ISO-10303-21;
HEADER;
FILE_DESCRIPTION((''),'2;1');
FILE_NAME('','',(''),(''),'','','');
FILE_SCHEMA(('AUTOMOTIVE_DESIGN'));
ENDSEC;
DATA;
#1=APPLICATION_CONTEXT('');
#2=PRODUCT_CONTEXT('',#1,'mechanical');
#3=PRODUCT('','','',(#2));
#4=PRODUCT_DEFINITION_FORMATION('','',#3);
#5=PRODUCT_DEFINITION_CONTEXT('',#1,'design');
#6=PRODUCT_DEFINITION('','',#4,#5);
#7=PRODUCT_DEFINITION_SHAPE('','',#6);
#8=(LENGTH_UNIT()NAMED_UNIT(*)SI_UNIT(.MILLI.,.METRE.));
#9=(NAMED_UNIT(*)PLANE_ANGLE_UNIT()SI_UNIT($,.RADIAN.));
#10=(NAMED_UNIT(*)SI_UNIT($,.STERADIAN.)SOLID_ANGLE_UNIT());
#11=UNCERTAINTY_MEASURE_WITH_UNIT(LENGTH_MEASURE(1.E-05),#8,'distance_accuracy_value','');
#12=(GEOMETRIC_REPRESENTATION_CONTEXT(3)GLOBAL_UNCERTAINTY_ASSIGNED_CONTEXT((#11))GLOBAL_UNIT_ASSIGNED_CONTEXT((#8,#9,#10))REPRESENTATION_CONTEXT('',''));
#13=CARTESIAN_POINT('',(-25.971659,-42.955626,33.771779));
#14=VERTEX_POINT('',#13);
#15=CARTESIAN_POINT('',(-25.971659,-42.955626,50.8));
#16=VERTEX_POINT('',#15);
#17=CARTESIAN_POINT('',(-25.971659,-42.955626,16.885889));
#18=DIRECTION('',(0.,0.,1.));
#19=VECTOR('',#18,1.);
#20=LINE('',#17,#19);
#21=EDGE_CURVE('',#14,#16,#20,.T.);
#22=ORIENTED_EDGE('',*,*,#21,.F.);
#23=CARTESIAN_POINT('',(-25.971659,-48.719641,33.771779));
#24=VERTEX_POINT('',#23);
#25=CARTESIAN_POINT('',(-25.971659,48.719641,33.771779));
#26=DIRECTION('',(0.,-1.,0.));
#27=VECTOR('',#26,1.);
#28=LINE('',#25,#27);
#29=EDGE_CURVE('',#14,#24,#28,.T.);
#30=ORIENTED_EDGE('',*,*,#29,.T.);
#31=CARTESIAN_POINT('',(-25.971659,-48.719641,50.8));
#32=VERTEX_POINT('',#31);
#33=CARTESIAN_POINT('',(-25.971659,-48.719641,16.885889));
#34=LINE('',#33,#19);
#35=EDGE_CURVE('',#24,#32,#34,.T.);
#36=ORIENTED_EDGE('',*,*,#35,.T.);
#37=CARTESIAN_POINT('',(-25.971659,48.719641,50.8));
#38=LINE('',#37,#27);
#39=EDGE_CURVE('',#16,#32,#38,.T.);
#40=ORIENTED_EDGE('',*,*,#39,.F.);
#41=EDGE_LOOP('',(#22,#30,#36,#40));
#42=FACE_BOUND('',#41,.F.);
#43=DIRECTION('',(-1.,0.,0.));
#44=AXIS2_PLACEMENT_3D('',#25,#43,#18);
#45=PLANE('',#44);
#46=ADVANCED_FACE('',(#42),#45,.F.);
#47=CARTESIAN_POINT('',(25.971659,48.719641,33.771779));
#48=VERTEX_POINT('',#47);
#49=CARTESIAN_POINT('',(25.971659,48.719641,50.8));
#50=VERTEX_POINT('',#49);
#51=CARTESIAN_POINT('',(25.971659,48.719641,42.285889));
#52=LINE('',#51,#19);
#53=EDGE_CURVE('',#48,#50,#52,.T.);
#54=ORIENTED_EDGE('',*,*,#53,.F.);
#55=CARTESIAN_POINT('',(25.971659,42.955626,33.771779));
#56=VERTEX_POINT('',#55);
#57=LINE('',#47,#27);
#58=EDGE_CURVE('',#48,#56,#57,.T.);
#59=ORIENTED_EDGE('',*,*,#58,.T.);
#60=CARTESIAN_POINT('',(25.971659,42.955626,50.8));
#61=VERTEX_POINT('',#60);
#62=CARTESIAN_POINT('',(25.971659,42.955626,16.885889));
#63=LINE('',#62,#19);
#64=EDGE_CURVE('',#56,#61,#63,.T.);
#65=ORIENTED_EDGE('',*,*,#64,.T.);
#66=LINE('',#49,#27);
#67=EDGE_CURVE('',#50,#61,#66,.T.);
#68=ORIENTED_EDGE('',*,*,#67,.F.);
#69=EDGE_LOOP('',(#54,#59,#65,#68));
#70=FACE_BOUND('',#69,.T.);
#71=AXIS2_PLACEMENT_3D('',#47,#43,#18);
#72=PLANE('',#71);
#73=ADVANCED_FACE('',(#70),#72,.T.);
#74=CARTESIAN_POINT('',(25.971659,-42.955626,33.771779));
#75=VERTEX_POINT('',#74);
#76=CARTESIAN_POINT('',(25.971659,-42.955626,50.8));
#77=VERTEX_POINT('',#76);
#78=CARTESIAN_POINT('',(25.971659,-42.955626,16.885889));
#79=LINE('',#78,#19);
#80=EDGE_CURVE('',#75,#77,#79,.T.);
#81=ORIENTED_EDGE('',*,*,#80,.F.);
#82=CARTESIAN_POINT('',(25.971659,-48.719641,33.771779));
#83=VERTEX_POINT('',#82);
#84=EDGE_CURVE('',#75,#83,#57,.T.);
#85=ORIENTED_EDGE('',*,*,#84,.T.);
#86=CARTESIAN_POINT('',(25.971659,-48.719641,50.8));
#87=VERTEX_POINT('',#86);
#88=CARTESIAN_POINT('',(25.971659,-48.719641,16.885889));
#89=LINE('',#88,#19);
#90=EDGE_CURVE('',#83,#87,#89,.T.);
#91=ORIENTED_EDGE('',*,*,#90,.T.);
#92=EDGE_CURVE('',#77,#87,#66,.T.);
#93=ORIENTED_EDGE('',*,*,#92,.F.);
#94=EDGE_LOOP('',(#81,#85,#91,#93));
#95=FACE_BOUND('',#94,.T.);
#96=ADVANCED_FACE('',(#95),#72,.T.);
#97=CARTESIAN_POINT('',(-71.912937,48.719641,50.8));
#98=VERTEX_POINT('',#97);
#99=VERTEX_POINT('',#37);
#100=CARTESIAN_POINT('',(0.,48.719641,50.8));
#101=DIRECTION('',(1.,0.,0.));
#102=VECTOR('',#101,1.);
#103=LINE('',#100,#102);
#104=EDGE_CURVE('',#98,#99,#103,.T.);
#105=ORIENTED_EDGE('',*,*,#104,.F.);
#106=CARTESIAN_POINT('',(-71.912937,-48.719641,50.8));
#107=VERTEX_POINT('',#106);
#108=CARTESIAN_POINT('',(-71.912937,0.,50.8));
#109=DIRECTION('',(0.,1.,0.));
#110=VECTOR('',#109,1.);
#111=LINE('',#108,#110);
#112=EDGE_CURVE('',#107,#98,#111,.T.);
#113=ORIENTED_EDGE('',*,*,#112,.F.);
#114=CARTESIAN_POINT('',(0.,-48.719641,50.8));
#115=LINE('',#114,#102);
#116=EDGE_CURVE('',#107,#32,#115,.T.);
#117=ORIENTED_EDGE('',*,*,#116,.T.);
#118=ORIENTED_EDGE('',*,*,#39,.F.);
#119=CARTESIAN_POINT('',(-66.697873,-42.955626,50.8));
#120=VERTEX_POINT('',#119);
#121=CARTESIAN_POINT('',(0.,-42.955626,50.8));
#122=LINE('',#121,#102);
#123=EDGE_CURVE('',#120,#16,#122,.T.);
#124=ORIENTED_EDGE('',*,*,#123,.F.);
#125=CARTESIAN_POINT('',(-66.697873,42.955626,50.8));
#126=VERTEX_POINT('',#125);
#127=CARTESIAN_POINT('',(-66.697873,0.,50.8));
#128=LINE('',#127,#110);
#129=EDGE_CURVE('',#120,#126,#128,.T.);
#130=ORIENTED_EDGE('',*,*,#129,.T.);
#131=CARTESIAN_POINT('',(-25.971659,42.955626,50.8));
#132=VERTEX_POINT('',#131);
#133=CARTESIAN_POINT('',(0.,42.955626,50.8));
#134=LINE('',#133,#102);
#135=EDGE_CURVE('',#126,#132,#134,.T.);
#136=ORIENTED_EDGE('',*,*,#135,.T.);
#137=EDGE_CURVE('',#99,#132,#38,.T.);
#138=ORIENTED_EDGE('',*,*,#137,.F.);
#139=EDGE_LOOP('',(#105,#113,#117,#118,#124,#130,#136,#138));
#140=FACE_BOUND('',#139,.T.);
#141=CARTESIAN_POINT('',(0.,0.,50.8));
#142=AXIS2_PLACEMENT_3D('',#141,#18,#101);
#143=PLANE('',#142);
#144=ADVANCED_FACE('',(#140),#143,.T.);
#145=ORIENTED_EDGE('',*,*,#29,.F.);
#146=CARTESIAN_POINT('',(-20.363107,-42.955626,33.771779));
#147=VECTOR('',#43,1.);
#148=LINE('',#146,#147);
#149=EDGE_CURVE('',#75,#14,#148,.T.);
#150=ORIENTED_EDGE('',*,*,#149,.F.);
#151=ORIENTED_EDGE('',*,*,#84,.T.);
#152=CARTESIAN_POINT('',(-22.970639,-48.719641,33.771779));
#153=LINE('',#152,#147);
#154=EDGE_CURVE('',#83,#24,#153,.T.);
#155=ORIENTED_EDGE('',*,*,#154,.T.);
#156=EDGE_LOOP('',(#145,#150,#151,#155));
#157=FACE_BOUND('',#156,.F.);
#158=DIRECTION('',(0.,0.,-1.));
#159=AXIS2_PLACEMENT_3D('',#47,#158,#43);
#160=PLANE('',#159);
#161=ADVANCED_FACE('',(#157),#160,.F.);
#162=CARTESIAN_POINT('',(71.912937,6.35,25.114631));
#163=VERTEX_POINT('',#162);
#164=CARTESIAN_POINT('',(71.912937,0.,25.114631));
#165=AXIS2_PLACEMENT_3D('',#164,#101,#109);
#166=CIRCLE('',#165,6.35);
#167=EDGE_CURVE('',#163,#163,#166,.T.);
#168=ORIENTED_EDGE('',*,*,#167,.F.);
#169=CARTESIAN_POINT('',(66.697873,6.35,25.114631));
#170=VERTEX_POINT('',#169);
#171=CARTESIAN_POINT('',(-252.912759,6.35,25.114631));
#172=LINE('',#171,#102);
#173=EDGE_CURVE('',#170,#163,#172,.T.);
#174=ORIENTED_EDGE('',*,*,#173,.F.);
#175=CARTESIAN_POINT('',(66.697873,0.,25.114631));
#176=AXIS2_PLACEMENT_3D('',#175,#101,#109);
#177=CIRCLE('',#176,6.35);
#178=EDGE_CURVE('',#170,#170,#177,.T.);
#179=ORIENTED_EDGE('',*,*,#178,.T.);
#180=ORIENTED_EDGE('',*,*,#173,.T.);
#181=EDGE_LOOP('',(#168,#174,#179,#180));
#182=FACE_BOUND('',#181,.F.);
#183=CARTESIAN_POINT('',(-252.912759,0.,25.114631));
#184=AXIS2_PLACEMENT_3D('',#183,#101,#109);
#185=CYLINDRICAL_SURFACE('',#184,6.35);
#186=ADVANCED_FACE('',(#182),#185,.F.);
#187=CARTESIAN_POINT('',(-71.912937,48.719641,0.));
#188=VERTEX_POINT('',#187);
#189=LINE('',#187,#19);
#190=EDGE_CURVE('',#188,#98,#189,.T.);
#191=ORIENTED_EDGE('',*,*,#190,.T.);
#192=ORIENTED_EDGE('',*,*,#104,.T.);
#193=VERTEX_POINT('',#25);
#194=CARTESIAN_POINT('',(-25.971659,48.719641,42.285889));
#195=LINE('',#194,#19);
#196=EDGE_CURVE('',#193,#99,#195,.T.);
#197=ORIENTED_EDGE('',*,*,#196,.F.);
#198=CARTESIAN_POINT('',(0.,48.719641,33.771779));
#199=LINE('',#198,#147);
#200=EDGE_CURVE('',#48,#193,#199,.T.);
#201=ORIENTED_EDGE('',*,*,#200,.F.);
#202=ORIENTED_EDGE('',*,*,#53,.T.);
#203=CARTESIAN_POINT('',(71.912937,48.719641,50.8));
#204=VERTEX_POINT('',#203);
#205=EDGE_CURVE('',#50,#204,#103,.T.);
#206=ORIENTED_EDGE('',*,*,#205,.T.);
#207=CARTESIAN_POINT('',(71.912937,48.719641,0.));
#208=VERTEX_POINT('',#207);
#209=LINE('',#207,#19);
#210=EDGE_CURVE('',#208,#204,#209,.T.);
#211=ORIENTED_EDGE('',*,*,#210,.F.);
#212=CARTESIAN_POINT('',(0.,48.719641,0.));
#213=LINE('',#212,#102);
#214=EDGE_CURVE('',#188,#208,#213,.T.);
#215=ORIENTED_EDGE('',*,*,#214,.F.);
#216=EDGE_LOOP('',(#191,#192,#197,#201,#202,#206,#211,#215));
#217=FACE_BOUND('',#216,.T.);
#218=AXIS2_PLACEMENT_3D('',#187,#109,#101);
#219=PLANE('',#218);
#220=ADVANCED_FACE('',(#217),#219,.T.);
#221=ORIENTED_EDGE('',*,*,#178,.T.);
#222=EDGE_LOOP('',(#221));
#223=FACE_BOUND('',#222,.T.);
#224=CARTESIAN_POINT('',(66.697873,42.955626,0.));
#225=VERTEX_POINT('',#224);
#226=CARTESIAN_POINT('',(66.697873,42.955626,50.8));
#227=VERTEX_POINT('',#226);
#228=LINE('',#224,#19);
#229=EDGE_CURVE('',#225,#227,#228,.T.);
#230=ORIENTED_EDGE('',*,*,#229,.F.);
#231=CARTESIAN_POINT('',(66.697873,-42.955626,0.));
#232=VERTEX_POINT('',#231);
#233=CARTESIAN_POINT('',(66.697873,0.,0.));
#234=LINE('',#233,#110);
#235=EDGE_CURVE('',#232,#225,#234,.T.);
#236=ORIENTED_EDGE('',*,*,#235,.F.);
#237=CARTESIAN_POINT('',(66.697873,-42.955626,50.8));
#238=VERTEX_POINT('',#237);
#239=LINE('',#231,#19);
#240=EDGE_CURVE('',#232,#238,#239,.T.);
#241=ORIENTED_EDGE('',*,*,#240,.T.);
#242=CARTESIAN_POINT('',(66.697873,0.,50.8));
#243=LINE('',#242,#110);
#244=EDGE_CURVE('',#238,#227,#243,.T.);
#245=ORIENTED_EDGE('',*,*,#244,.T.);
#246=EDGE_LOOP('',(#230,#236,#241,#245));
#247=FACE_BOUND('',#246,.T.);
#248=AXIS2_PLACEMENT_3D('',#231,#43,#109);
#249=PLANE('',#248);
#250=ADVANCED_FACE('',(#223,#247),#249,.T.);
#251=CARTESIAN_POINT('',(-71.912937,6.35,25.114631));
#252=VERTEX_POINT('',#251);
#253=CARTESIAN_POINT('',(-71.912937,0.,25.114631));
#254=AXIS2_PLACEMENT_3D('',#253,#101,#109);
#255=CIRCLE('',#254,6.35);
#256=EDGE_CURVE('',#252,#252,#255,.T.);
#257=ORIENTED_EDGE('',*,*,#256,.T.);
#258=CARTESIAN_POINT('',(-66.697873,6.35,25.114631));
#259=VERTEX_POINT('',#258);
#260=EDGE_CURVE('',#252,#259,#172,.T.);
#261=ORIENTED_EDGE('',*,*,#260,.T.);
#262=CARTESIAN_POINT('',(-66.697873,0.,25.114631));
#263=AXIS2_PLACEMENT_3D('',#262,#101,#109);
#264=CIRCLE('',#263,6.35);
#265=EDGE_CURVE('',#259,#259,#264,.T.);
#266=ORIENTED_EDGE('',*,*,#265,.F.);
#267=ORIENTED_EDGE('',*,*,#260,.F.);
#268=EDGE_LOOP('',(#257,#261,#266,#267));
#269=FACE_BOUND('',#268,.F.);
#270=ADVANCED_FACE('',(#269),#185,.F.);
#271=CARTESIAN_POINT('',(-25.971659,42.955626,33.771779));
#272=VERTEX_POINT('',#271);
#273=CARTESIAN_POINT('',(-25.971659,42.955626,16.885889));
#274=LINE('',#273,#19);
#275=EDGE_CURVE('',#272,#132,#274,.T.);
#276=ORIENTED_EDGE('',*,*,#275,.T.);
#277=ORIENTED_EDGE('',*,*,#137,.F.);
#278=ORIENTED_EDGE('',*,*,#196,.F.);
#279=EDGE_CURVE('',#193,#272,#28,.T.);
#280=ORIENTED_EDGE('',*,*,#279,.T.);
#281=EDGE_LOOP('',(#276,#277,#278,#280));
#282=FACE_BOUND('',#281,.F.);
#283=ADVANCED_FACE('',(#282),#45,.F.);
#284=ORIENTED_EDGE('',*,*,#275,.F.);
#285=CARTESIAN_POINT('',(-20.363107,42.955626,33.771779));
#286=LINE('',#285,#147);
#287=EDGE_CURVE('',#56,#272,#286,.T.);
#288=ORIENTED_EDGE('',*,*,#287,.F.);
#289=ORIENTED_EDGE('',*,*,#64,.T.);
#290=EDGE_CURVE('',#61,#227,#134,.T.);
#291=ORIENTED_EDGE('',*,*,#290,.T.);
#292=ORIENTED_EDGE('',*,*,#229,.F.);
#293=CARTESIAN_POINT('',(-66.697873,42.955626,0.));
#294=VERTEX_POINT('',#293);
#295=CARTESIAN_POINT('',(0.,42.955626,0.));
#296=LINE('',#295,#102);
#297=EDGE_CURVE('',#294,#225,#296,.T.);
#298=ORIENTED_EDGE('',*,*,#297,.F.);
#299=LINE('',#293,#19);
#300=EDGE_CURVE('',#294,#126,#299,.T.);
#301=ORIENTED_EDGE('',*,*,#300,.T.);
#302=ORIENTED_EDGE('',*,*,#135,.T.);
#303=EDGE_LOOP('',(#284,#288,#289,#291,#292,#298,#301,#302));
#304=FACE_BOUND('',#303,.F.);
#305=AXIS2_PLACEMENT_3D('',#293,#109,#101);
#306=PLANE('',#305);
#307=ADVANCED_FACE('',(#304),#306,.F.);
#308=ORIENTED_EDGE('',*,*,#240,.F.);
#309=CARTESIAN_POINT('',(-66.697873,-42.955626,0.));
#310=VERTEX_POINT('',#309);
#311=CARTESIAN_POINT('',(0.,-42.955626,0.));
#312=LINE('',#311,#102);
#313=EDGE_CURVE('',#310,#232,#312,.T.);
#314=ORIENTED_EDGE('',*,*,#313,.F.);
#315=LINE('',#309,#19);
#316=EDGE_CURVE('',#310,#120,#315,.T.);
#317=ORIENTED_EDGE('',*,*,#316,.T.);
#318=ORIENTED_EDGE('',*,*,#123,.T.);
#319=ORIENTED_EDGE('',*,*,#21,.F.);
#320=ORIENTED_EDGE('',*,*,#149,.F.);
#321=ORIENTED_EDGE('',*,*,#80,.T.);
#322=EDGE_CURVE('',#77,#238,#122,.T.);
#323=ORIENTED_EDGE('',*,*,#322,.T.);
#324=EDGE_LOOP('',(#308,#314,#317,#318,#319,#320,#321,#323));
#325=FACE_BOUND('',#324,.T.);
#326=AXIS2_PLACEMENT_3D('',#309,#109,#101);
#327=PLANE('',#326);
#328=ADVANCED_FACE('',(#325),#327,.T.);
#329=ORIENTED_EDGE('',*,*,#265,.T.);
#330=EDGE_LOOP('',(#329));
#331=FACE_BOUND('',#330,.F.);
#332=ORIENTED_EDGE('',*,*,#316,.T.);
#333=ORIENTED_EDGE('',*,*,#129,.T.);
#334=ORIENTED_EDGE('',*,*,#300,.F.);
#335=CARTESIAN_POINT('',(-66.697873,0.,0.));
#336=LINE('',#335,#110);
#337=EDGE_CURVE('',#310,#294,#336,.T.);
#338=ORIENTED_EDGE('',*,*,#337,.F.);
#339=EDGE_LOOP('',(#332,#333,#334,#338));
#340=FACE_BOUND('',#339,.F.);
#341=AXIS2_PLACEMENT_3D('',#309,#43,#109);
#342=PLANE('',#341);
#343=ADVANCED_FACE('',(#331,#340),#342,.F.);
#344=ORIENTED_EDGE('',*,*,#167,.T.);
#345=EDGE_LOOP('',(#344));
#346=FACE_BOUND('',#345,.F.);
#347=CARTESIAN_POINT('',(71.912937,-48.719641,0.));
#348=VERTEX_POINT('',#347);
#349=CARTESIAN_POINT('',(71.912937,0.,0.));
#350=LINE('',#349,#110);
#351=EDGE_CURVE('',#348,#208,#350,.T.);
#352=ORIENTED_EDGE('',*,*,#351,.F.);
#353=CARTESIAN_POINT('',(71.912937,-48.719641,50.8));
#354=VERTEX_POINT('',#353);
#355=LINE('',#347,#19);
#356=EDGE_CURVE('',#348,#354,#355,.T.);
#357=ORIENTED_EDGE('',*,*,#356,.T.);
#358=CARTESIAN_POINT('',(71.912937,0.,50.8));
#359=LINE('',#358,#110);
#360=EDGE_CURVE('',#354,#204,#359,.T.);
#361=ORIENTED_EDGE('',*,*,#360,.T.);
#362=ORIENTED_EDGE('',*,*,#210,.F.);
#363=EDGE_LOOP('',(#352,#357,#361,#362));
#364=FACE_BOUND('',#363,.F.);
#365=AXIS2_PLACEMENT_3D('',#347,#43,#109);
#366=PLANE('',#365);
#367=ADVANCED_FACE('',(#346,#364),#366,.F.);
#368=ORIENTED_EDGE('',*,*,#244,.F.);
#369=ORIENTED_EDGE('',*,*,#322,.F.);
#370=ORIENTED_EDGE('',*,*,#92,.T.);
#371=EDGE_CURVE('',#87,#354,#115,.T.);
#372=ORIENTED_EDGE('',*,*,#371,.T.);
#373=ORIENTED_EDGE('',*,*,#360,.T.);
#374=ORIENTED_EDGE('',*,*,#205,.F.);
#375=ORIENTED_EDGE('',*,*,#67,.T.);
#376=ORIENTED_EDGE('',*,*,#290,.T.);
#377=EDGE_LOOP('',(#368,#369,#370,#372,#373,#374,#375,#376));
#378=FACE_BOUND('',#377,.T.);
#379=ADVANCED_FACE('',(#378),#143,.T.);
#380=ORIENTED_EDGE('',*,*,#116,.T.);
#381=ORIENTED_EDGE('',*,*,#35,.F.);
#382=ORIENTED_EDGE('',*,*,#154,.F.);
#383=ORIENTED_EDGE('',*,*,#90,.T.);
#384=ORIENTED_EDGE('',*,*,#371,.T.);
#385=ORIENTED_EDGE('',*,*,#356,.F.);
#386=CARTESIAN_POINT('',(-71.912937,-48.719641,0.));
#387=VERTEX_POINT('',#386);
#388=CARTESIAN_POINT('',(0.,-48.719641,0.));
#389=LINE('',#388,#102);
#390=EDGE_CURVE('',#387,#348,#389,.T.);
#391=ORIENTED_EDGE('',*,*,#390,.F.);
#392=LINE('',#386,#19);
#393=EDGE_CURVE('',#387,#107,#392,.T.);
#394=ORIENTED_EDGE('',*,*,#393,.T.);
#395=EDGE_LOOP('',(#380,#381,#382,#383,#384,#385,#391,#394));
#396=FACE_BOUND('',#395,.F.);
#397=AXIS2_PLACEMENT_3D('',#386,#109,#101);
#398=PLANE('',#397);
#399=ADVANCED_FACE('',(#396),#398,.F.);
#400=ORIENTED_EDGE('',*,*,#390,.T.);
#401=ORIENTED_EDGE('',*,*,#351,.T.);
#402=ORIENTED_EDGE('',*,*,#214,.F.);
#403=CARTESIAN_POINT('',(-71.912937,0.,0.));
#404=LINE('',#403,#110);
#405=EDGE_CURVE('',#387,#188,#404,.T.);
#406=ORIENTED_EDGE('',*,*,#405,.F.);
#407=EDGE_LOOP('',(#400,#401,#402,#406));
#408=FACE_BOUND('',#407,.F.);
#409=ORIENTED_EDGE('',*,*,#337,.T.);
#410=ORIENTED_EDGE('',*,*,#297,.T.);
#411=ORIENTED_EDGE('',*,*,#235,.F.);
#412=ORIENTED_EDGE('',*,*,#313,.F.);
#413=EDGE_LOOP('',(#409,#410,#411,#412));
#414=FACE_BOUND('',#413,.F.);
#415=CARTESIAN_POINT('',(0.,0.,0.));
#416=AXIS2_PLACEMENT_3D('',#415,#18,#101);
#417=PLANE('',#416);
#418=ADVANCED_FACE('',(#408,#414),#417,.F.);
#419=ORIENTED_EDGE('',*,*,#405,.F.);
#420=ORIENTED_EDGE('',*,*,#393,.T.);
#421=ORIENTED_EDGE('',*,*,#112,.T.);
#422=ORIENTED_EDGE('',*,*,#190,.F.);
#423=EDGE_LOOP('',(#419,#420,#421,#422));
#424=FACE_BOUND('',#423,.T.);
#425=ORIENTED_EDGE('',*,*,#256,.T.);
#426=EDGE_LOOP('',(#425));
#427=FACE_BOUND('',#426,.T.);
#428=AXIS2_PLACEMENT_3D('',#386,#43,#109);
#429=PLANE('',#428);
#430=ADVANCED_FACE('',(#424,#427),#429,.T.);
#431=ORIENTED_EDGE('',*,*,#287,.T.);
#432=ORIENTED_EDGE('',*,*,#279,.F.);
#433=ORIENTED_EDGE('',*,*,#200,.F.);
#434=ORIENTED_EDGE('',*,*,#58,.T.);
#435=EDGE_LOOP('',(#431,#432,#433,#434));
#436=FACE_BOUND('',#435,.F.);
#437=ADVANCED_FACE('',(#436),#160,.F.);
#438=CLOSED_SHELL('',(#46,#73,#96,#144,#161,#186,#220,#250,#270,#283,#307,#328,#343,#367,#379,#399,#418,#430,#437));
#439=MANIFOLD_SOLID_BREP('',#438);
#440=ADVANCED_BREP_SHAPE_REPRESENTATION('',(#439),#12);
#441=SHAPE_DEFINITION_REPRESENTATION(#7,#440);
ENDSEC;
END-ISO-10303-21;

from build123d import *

# Parameters (mm, degrees)
F0_W     = 143.8258737326
F0_H     = 97.4392816424
F0_W_2   = 133.3957463503
F0_H_2   = 85.9112516046
F1_DEPTH = 50.8
F2_W     = 51.9433170557
F2_H     = 17.0282212257
F3_DEPTH = 97.4402816424
F5_D     = 12.7


with BuildPart() as f1:
    # F0 (on Top) → F1 (new body)
    with BuildSketch(Plane.XY):
        Rectangle(F0_W, F0_H)
        Rectangle(F0_W_2, F0_H_2, mode=Mode.SUBTRACT)
    extrude(amount=F1_DEPTH)

    # F2 (on face) → F3 (cut, through all)
    with BuildSketch(Plane(origin=(0, 48.7196408212, 0), x_dir=(-1, 0, 0), z_dir=(0, 1, 0))):
        with Locations((0, 42.2858893871)):
            Rectangle(F2_W, F2_H)
    extrude(amount=-F3_DEPTH, mode=Mode.SUBTRACT)

    # F5 (through all)
    with Locations(Plane(origin=(-71.9129368663, 0, 0), x_dir=(0, -1, 0), z_dir=(-1, 0, 0))):
        with Locations((0, 25.1146312803)):
            Hole(F5_D / 2)


solid = f1.part
